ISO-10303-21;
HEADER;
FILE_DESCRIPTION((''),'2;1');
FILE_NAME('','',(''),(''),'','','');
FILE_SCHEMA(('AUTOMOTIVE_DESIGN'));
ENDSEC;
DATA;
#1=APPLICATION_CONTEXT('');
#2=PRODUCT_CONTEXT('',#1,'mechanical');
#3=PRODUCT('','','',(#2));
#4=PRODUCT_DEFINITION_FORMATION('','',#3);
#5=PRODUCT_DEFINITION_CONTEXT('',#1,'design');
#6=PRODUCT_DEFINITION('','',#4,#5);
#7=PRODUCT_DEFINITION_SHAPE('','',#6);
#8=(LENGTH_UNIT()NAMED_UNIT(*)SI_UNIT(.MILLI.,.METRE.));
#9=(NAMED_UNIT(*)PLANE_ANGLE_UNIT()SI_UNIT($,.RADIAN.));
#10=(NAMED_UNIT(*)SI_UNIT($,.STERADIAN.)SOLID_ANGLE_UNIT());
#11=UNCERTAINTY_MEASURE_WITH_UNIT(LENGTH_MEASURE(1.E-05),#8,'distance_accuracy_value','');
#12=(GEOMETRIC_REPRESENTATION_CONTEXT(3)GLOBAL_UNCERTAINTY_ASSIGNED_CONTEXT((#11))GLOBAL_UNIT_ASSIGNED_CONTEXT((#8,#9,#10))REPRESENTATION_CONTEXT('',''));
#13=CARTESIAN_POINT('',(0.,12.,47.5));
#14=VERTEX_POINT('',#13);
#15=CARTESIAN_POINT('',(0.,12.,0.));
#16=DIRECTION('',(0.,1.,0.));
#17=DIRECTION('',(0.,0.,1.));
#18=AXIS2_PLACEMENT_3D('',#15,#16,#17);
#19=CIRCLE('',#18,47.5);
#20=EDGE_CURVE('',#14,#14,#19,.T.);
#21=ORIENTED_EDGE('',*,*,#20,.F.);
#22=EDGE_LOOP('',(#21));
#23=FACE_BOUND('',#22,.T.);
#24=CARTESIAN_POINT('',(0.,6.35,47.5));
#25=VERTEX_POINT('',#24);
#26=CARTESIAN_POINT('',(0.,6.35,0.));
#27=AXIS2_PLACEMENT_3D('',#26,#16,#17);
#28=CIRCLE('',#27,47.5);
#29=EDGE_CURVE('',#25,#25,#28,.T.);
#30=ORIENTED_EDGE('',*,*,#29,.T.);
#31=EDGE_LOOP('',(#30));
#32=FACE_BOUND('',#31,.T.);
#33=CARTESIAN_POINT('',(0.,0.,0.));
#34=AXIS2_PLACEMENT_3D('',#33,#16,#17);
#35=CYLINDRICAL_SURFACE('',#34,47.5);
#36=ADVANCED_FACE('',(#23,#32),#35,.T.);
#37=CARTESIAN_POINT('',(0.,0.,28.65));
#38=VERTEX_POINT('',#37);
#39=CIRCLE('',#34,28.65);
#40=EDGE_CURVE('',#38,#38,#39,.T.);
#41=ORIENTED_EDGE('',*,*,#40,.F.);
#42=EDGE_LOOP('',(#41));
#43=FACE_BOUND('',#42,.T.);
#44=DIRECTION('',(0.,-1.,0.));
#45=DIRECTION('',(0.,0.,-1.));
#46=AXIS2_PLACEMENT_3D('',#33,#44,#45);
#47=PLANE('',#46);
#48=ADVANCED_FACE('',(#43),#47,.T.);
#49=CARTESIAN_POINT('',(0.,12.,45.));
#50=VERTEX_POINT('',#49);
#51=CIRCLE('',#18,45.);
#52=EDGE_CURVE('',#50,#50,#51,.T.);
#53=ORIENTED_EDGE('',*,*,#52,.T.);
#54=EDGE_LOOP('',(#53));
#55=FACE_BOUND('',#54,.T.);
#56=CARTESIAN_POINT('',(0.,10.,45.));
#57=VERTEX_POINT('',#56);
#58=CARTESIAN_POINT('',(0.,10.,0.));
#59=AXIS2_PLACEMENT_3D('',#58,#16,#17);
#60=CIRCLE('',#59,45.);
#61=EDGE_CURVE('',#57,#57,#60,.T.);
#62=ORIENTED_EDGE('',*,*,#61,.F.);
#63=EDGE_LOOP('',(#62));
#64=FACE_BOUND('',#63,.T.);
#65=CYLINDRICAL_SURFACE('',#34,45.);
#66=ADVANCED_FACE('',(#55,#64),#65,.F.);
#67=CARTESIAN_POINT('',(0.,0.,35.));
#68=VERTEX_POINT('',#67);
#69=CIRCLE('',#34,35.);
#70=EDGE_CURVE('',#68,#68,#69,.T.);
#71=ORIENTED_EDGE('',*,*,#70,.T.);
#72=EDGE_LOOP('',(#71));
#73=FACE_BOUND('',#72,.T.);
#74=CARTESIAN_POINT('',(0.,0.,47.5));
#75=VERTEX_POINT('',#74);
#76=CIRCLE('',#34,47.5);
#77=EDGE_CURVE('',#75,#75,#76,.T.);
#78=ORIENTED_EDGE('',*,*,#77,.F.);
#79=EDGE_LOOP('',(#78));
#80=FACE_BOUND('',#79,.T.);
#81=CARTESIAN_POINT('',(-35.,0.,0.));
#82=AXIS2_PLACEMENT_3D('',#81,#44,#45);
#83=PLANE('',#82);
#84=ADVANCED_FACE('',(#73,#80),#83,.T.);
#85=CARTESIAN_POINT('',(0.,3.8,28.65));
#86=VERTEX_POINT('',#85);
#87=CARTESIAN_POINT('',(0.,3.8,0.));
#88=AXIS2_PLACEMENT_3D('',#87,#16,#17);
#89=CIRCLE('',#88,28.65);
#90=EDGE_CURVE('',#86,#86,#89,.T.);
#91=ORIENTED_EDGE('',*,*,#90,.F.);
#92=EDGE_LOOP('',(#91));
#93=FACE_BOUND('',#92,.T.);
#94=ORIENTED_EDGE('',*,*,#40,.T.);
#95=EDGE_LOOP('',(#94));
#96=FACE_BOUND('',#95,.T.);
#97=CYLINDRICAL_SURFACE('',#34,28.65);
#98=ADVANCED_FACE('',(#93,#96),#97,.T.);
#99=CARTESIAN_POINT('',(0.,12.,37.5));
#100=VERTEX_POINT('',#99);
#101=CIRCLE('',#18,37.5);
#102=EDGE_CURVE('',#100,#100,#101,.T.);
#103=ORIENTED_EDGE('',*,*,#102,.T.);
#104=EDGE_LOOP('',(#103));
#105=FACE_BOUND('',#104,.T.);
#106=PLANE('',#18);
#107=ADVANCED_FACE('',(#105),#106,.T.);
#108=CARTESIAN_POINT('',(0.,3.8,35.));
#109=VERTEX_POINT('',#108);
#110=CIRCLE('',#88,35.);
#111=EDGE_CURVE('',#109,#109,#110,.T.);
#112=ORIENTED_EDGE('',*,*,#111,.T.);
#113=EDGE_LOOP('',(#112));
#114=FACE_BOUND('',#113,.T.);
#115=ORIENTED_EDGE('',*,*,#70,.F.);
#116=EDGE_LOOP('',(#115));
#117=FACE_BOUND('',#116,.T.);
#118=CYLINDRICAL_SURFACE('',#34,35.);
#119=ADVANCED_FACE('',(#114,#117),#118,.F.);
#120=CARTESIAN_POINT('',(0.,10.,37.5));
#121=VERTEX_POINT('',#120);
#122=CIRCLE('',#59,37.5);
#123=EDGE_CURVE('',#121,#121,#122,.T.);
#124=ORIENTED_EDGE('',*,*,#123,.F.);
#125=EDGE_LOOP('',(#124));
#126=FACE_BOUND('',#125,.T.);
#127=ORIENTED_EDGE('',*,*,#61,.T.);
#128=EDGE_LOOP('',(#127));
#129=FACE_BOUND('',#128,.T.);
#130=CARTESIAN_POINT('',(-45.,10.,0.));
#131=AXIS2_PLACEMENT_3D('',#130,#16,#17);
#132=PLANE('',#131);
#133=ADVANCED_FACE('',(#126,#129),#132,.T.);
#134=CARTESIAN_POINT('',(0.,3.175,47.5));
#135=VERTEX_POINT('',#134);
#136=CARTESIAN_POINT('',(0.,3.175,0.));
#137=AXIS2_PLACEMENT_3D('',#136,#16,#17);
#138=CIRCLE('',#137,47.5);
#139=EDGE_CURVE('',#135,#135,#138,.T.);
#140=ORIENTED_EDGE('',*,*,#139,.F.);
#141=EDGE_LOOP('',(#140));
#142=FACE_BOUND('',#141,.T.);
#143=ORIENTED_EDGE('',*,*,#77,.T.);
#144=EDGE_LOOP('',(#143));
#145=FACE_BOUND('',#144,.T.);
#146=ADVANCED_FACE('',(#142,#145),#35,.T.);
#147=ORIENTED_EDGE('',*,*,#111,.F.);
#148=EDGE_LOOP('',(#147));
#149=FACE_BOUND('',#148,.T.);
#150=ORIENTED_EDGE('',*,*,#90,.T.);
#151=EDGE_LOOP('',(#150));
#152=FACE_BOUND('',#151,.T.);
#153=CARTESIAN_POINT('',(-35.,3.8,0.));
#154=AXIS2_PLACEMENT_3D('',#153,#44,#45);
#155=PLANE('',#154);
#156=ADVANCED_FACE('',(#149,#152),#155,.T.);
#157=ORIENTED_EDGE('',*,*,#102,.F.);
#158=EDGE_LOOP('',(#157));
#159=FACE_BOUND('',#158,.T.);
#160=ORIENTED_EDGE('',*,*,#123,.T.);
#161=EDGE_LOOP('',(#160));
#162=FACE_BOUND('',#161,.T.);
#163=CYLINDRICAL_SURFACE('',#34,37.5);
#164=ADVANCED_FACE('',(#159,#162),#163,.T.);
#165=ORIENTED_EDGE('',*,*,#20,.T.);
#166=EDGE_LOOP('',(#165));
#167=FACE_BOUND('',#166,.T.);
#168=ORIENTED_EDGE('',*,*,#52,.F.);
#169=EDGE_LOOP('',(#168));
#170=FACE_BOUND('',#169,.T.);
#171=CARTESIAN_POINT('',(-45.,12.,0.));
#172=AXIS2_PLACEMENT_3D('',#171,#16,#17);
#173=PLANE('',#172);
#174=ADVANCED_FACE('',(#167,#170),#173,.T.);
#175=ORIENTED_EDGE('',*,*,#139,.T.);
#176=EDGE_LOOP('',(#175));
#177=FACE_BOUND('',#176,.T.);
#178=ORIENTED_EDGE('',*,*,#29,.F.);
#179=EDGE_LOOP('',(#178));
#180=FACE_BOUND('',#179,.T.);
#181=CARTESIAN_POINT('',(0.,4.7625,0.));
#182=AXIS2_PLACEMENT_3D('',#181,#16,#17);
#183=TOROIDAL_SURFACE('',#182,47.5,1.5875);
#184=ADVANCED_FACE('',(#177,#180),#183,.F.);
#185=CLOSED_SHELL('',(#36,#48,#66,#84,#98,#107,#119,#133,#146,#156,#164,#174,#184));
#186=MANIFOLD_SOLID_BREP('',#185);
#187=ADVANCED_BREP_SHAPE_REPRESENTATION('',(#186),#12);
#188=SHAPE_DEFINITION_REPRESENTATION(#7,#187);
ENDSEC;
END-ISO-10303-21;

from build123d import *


with BuildPart() as part:
    # Sketch1 → Revolve1 (revolve)
    with BuildSketch(Plane.XY):
        with BuildLine():
            Line((-35, 0), (-47.5, 0))
            Line((-47.5, 0), (-47.5, 3.175))
            ThreePointArc((-47.5, 3.175), (-45.9125, 4.7625), (-47.5, 6.35))
            Line((-47.5, 6.35), (-47.5, 12))
            Line((-47.5, 12), (-45, 12))
            Line((-45, 12), (-45, 10))
            Line((-45, 10), (-37.5, 10))
            Line((-37.5, 10), (-37.5, 12))
            Line((-37.5, 12), (0, 12))
            Line((0, 12), (0, 0))
            Line((0, 0), (-28.65, 0))
            Line((-28.65, 0), (-28.65, 3.8))
            Line((-28.65, 3.8), (-35, 3.8))
            Line((-35, 3.8), (-35, 0))
        make_face()
    revolve(axis=Axis((0, 0, 0), (0, -1, 0)))


solid = part.part
